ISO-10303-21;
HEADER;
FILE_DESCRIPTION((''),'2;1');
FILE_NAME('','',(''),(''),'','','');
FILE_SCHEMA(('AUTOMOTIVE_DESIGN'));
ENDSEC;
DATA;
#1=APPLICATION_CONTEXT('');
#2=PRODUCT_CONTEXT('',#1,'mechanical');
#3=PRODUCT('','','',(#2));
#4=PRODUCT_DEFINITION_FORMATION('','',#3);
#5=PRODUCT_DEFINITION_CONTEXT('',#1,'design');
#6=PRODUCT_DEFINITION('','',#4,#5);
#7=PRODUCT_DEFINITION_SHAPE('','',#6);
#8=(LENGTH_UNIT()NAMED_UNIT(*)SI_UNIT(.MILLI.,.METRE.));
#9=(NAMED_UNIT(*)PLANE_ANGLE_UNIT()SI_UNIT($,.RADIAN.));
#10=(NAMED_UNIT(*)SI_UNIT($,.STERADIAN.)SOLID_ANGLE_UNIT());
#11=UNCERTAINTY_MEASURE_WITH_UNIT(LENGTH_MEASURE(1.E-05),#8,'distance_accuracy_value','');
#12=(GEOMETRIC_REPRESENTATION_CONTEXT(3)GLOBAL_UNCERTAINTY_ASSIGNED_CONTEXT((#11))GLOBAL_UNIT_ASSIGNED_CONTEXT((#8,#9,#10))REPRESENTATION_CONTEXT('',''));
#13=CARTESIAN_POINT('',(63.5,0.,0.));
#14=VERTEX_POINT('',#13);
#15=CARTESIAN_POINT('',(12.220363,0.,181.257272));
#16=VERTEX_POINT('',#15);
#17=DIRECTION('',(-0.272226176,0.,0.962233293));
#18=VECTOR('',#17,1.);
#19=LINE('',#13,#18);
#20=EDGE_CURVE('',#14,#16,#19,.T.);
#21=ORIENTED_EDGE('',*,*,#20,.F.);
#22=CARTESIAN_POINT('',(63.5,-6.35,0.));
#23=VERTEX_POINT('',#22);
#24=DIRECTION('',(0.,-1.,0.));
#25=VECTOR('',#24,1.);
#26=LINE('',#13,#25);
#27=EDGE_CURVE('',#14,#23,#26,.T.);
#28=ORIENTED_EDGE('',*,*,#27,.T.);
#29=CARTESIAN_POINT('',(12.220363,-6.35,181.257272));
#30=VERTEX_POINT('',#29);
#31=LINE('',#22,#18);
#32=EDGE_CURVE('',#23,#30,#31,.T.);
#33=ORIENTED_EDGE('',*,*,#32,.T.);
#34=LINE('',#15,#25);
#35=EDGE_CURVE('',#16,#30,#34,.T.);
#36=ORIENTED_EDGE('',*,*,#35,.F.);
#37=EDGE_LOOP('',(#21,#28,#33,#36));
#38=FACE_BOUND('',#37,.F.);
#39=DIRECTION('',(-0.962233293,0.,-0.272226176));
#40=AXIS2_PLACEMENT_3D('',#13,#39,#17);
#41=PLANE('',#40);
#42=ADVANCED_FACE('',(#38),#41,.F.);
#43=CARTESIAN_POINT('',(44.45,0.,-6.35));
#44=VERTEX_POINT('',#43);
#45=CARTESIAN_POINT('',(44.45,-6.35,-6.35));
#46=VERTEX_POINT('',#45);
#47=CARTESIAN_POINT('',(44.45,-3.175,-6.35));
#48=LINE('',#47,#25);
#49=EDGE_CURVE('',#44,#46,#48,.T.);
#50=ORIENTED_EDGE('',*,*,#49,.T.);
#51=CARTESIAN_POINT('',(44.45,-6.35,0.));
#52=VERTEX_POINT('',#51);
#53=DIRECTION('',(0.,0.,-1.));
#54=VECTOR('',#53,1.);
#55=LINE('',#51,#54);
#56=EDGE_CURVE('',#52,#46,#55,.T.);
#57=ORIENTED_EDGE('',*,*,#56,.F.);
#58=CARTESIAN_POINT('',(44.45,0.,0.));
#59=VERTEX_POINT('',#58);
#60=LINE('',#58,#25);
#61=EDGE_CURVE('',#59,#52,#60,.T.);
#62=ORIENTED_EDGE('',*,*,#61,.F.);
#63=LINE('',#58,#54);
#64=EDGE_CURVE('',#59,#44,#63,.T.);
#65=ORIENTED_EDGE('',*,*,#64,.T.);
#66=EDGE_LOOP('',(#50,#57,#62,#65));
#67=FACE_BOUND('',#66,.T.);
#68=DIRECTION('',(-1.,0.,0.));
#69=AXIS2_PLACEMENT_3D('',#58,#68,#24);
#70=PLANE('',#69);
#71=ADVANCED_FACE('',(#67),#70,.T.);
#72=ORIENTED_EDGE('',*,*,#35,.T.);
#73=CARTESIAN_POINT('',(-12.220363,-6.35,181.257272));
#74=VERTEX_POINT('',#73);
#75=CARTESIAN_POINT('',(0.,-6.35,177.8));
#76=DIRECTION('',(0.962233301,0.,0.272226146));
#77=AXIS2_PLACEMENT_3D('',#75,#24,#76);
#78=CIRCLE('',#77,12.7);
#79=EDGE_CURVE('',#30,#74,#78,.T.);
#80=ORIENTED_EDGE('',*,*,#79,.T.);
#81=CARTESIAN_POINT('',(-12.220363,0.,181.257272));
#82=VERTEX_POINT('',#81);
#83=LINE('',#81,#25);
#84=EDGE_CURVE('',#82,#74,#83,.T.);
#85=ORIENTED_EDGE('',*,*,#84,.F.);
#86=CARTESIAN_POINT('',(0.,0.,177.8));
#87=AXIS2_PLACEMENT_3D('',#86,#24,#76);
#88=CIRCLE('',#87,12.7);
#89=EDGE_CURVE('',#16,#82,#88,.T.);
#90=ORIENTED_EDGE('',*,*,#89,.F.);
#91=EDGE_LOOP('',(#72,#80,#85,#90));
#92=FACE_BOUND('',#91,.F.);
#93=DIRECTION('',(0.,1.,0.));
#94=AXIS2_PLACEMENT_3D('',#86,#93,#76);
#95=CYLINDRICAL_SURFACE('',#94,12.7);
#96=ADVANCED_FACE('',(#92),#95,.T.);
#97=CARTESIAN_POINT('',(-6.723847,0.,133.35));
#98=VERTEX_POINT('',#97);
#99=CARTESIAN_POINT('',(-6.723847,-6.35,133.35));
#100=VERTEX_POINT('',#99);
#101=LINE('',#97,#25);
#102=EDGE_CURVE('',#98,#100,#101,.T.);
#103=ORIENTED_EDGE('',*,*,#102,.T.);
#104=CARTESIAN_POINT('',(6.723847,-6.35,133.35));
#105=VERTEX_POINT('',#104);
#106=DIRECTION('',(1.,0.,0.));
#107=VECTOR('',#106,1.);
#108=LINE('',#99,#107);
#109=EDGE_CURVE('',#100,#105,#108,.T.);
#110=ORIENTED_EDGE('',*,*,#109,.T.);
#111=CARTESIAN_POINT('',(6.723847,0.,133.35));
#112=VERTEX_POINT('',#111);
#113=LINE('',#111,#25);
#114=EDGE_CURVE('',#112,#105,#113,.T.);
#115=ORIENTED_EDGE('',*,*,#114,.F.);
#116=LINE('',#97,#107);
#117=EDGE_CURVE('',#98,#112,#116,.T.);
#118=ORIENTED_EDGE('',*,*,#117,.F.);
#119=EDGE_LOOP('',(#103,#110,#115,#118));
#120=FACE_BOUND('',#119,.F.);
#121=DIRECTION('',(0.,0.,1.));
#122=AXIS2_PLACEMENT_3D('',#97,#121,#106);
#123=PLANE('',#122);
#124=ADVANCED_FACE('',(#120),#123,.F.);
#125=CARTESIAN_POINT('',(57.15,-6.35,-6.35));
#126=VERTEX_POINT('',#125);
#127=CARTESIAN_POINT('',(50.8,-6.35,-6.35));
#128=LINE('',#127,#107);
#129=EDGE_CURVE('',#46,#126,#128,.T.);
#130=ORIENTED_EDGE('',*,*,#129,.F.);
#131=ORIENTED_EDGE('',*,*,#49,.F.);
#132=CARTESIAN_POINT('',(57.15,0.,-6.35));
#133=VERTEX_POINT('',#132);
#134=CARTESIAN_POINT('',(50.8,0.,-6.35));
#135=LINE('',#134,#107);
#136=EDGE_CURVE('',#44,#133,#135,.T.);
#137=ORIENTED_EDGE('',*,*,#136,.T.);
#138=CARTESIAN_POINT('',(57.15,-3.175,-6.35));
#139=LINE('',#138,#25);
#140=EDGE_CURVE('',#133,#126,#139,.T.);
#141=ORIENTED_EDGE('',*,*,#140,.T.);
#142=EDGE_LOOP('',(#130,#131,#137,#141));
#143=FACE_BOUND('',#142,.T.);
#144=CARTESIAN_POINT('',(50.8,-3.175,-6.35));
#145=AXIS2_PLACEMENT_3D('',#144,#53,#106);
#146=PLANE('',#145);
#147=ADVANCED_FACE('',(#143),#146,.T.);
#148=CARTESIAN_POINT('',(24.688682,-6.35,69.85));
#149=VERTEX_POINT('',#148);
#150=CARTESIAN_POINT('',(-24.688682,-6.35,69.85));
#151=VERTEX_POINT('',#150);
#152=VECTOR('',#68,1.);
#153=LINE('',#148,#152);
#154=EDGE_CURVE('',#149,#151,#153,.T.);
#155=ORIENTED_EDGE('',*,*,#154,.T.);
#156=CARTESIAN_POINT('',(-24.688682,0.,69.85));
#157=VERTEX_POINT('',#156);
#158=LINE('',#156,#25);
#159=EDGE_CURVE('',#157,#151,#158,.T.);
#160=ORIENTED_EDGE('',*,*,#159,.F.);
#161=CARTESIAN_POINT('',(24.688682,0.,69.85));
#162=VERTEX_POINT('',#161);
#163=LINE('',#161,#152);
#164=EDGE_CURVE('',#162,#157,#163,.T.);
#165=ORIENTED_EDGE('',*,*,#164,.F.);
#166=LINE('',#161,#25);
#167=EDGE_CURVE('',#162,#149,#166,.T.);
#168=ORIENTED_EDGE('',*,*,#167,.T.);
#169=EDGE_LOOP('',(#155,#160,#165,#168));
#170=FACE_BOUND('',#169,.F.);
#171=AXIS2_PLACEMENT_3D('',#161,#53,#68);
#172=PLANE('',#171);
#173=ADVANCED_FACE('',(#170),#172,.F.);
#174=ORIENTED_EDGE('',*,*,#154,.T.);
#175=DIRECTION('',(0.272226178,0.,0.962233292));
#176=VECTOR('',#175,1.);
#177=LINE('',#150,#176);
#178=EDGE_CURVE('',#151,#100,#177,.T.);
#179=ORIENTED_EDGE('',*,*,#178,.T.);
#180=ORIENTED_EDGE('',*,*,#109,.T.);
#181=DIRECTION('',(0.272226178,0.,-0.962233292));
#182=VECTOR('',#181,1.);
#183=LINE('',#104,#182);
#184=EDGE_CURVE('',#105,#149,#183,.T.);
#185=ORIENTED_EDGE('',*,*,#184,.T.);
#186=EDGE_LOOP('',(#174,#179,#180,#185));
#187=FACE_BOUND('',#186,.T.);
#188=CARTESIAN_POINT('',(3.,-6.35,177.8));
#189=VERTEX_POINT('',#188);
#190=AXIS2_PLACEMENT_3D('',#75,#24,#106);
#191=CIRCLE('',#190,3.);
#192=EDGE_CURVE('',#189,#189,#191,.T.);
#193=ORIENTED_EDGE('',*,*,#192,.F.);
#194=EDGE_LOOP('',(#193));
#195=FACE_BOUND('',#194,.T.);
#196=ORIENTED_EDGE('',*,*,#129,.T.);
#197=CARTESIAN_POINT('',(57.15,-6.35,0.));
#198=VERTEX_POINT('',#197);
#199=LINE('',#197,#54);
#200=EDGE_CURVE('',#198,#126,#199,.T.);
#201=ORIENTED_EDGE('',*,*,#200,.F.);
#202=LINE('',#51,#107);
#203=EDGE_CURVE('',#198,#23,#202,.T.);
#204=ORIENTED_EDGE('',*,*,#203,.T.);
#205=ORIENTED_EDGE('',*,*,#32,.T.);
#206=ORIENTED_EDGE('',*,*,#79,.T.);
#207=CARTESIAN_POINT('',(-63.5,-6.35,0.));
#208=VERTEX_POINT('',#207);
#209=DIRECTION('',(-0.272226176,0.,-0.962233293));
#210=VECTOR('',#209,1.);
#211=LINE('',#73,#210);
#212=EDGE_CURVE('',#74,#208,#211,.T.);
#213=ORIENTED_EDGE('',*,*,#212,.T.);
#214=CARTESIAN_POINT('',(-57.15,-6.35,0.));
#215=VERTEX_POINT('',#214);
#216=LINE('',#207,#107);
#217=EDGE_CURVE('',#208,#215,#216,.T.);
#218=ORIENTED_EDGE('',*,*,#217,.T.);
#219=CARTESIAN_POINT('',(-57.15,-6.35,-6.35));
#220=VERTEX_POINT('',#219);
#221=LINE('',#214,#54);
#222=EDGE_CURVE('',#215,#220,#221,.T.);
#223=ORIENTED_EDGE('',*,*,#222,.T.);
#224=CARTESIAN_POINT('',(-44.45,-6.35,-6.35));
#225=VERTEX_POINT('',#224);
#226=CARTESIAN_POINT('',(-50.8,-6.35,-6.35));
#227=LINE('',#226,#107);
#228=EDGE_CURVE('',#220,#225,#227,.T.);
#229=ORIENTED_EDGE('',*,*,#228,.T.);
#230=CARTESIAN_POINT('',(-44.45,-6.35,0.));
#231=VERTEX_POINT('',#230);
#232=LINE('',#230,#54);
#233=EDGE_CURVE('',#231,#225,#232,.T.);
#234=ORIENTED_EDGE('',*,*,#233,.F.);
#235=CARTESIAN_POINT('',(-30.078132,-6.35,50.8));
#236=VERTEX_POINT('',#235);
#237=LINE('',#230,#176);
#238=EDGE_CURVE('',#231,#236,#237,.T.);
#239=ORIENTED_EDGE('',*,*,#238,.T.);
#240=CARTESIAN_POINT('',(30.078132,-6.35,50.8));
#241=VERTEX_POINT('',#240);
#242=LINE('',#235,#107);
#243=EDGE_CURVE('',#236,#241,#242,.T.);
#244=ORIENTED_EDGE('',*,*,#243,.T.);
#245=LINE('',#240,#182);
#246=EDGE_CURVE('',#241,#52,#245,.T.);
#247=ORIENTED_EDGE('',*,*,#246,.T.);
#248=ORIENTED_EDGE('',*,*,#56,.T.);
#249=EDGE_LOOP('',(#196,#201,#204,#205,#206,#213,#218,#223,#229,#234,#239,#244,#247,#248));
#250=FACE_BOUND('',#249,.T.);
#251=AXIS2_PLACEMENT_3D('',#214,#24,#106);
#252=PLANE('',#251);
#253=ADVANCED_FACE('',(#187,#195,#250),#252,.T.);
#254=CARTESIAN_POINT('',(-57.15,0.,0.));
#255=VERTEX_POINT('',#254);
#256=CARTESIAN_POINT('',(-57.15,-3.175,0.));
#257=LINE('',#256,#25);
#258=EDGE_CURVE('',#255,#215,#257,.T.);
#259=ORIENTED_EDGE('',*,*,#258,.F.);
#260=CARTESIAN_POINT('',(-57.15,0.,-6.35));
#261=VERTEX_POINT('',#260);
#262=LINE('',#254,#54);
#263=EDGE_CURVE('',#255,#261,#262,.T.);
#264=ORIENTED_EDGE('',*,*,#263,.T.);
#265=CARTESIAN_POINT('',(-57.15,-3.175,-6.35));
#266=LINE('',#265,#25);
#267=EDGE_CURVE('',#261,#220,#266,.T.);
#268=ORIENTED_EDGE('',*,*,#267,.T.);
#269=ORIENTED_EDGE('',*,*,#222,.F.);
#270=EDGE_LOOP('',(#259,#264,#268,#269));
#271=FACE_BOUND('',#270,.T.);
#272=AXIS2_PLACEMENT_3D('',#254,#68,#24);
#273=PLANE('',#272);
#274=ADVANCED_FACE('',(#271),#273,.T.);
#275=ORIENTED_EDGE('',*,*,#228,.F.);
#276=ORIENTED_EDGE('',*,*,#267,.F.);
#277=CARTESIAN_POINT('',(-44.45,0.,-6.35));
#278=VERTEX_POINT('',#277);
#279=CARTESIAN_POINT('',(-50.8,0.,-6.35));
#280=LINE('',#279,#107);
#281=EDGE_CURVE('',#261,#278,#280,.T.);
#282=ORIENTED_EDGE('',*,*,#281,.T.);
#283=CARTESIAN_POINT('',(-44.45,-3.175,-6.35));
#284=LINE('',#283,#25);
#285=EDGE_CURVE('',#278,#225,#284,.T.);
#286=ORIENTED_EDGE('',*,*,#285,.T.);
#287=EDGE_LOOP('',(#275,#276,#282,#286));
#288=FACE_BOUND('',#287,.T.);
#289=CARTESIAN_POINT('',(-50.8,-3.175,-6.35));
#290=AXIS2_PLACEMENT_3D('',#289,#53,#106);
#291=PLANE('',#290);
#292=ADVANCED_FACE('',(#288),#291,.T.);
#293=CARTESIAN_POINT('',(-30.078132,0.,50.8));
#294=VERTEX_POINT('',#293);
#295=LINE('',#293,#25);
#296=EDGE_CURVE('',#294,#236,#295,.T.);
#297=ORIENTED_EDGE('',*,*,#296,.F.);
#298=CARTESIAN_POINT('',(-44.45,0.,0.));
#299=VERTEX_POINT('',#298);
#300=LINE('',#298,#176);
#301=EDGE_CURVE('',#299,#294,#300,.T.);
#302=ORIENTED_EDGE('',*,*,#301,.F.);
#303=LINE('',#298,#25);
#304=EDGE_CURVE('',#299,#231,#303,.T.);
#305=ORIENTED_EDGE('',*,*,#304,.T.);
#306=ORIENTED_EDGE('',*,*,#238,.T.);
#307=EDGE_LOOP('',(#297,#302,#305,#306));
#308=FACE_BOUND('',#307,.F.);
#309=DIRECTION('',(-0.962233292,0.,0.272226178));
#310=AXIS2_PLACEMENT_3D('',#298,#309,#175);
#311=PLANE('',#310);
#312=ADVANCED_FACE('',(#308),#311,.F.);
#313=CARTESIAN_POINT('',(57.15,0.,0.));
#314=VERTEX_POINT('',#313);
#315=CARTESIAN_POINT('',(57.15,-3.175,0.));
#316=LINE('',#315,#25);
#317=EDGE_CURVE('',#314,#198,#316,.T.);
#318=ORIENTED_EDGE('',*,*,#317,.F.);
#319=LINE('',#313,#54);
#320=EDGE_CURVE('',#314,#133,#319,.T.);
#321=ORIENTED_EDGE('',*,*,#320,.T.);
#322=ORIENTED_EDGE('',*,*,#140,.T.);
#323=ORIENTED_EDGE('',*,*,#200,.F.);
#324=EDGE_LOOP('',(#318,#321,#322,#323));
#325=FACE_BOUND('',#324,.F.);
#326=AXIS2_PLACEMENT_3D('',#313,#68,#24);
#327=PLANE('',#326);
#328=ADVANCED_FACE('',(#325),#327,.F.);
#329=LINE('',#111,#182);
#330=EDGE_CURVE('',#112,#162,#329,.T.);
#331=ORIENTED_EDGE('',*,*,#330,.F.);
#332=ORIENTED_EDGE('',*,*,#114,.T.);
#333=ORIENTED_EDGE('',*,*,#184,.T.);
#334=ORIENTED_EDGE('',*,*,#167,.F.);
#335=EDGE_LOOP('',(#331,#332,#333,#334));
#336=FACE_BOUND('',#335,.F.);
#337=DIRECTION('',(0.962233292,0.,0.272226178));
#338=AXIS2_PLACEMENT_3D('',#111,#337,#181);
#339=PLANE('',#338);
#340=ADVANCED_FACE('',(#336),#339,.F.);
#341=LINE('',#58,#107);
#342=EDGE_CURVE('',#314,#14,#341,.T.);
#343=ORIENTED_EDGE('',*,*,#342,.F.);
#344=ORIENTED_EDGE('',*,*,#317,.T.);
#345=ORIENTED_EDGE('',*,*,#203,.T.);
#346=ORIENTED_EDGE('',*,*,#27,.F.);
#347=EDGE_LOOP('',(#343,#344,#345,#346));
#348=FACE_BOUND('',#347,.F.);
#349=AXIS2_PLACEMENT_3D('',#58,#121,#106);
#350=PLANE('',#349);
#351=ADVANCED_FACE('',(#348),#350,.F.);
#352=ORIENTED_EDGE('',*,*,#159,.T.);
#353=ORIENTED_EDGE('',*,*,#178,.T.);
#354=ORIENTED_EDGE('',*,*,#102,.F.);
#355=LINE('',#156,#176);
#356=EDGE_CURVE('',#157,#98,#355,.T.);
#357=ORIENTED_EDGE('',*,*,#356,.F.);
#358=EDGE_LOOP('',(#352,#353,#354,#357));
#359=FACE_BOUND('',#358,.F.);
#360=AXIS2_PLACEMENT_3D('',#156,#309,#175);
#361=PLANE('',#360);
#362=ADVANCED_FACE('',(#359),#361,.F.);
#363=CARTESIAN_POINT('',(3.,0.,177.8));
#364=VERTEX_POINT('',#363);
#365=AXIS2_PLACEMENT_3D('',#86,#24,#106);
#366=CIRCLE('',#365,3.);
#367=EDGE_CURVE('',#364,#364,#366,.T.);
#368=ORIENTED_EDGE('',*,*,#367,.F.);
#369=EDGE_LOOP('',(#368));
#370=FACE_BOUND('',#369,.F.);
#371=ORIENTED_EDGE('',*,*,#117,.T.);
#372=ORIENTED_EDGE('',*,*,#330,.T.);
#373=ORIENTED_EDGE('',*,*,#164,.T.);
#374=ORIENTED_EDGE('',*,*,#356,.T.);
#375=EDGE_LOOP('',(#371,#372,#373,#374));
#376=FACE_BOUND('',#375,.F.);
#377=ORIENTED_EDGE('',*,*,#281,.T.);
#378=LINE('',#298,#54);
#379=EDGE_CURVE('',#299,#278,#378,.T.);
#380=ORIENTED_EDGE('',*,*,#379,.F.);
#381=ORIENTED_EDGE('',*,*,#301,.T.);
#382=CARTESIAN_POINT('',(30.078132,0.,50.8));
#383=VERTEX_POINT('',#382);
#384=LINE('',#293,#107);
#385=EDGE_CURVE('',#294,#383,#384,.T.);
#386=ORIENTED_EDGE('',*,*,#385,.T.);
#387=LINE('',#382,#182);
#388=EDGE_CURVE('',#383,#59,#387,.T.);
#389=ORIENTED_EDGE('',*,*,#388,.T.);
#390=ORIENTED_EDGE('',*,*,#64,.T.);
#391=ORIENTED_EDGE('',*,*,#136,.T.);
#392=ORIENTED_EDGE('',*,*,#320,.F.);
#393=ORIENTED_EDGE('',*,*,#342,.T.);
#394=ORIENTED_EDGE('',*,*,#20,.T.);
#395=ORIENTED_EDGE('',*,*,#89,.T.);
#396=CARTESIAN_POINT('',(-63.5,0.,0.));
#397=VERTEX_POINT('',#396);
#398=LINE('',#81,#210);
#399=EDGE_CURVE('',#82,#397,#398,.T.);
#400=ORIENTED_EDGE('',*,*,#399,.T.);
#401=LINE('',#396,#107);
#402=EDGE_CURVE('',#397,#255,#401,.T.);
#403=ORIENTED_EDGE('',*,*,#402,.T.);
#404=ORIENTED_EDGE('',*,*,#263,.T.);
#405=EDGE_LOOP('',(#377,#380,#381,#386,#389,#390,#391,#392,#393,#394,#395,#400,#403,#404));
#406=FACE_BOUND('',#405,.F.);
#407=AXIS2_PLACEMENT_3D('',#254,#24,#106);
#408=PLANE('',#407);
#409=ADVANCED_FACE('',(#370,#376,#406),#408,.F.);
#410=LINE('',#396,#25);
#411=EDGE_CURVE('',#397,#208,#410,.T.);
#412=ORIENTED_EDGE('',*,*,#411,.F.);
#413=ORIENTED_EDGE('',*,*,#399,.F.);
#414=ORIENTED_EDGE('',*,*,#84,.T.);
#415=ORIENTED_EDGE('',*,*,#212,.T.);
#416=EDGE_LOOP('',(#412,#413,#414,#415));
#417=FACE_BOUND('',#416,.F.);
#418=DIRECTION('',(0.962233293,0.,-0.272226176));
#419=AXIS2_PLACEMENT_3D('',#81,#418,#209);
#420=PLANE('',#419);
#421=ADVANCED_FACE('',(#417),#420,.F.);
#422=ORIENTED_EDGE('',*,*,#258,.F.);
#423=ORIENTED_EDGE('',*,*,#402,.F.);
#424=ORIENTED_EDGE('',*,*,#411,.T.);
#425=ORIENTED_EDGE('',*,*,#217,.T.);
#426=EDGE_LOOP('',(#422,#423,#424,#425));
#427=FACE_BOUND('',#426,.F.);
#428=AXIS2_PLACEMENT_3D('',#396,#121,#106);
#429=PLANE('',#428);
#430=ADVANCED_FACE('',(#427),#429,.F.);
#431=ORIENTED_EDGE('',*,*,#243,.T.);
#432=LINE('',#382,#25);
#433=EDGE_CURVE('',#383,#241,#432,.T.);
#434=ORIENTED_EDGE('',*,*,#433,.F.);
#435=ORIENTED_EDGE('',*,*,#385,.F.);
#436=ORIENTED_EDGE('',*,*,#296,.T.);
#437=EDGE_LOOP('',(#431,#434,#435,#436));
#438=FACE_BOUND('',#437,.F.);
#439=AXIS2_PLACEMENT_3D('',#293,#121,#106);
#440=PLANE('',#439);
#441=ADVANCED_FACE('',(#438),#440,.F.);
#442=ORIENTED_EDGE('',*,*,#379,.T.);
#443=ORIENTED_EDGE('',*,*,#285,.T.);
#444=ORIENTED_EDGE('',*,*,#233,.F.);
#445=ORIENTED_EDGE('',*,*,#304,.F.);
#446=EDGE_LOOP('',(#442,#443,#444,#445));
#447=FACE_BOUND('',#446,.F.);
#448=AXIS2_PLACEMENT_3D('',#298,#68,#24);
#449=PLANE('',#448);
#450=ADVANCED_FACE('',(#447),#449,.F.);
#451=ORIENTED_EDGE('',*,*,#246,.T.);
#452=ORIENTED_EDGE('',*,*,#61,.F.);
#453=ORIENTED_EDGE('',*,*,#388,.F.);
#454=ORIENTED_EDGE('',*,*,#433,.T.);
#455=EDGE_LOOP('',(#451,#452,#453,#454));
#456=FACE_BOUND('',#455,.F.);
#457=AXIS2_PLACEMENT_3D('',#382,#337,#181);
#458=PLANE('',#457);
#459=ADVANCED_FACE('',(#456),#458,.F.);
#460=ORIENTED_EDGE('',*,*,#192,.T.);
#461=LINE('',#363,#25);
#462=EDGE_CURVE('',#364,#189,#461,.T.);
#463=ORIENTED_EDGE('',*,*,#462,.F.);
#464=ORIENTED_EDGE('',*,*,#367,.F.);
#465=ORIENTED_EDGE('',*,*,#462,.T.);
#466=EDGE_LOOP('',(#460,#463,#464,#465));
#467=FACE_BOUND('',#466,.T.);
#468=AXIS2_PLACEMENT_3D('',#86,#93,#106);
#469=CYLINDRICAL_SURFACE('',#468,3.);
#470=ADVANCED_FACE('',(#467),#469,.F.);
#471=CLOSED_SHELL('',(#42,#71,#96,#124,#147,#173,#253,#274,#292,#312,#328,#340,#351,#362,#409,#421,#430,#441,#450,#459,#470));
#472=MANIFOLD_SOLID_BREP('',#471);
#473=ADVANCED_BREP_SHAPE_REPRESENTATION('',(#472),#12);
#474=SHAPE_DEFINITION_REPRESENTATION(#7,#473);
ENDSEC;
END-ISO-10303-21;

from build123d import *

# Parameters (mm, degrees)
F0_R     = 3
F1_DEPTH = 6.35
F2_W     = 12.7
F2_H     = 6.35
F3_DEPTH = 6.35


with BuildPart() as f1:
    # F0 (on Front) → F1 (new body)
    with BuildSketch(Plane.XZ):
        with BuildLine():
            Line((63.5, 0), (12.220363, 181.257272))
            ThreePointArc((12.220363, 181.257272), (0, 190.5), (-12.220363, 181.257272))
            Line((-12.220363, 181.257272), (-63.5, 0))
            Line((-63.5, 0), (-44.45, 0))
            Line((-44.45, 0), (-30.078132, 50.8))
            Line((-30.078132, 50.8), (30.078132, 50.8))
            Line((30.078132, 50.8), (44.45, 0))
            Line((44.45, 0), (63.5, 0))
        make_face()
        Polygon((24.688682, 69.85), (-24.688682, 69.85), (-6.723847, 133.35), (6.723847, 133.35), align=None, mode=Mode.SUBTRACT)
        with Locations((0, 177.8)):
            Circle(F0_R, mode=Mode.SUBTRACT)
    extrude(amount=F1_DEPTH)

    # F2 (on face) → F3 (join)
    with BuildSketch(Plane(origin=(0, 0, 0), x_dir=(1, 0, 0), z_dir=(0, 0, -1))):
        with Locations((-50.8, 3.175)):
            Rectangle(F2_W, F2_H)
        with Locations((50.8, 3.175)):
            Rectangle(F2_W, F2_H)
    extrude(amount=F3_DEPTH)


solid = f1.part
